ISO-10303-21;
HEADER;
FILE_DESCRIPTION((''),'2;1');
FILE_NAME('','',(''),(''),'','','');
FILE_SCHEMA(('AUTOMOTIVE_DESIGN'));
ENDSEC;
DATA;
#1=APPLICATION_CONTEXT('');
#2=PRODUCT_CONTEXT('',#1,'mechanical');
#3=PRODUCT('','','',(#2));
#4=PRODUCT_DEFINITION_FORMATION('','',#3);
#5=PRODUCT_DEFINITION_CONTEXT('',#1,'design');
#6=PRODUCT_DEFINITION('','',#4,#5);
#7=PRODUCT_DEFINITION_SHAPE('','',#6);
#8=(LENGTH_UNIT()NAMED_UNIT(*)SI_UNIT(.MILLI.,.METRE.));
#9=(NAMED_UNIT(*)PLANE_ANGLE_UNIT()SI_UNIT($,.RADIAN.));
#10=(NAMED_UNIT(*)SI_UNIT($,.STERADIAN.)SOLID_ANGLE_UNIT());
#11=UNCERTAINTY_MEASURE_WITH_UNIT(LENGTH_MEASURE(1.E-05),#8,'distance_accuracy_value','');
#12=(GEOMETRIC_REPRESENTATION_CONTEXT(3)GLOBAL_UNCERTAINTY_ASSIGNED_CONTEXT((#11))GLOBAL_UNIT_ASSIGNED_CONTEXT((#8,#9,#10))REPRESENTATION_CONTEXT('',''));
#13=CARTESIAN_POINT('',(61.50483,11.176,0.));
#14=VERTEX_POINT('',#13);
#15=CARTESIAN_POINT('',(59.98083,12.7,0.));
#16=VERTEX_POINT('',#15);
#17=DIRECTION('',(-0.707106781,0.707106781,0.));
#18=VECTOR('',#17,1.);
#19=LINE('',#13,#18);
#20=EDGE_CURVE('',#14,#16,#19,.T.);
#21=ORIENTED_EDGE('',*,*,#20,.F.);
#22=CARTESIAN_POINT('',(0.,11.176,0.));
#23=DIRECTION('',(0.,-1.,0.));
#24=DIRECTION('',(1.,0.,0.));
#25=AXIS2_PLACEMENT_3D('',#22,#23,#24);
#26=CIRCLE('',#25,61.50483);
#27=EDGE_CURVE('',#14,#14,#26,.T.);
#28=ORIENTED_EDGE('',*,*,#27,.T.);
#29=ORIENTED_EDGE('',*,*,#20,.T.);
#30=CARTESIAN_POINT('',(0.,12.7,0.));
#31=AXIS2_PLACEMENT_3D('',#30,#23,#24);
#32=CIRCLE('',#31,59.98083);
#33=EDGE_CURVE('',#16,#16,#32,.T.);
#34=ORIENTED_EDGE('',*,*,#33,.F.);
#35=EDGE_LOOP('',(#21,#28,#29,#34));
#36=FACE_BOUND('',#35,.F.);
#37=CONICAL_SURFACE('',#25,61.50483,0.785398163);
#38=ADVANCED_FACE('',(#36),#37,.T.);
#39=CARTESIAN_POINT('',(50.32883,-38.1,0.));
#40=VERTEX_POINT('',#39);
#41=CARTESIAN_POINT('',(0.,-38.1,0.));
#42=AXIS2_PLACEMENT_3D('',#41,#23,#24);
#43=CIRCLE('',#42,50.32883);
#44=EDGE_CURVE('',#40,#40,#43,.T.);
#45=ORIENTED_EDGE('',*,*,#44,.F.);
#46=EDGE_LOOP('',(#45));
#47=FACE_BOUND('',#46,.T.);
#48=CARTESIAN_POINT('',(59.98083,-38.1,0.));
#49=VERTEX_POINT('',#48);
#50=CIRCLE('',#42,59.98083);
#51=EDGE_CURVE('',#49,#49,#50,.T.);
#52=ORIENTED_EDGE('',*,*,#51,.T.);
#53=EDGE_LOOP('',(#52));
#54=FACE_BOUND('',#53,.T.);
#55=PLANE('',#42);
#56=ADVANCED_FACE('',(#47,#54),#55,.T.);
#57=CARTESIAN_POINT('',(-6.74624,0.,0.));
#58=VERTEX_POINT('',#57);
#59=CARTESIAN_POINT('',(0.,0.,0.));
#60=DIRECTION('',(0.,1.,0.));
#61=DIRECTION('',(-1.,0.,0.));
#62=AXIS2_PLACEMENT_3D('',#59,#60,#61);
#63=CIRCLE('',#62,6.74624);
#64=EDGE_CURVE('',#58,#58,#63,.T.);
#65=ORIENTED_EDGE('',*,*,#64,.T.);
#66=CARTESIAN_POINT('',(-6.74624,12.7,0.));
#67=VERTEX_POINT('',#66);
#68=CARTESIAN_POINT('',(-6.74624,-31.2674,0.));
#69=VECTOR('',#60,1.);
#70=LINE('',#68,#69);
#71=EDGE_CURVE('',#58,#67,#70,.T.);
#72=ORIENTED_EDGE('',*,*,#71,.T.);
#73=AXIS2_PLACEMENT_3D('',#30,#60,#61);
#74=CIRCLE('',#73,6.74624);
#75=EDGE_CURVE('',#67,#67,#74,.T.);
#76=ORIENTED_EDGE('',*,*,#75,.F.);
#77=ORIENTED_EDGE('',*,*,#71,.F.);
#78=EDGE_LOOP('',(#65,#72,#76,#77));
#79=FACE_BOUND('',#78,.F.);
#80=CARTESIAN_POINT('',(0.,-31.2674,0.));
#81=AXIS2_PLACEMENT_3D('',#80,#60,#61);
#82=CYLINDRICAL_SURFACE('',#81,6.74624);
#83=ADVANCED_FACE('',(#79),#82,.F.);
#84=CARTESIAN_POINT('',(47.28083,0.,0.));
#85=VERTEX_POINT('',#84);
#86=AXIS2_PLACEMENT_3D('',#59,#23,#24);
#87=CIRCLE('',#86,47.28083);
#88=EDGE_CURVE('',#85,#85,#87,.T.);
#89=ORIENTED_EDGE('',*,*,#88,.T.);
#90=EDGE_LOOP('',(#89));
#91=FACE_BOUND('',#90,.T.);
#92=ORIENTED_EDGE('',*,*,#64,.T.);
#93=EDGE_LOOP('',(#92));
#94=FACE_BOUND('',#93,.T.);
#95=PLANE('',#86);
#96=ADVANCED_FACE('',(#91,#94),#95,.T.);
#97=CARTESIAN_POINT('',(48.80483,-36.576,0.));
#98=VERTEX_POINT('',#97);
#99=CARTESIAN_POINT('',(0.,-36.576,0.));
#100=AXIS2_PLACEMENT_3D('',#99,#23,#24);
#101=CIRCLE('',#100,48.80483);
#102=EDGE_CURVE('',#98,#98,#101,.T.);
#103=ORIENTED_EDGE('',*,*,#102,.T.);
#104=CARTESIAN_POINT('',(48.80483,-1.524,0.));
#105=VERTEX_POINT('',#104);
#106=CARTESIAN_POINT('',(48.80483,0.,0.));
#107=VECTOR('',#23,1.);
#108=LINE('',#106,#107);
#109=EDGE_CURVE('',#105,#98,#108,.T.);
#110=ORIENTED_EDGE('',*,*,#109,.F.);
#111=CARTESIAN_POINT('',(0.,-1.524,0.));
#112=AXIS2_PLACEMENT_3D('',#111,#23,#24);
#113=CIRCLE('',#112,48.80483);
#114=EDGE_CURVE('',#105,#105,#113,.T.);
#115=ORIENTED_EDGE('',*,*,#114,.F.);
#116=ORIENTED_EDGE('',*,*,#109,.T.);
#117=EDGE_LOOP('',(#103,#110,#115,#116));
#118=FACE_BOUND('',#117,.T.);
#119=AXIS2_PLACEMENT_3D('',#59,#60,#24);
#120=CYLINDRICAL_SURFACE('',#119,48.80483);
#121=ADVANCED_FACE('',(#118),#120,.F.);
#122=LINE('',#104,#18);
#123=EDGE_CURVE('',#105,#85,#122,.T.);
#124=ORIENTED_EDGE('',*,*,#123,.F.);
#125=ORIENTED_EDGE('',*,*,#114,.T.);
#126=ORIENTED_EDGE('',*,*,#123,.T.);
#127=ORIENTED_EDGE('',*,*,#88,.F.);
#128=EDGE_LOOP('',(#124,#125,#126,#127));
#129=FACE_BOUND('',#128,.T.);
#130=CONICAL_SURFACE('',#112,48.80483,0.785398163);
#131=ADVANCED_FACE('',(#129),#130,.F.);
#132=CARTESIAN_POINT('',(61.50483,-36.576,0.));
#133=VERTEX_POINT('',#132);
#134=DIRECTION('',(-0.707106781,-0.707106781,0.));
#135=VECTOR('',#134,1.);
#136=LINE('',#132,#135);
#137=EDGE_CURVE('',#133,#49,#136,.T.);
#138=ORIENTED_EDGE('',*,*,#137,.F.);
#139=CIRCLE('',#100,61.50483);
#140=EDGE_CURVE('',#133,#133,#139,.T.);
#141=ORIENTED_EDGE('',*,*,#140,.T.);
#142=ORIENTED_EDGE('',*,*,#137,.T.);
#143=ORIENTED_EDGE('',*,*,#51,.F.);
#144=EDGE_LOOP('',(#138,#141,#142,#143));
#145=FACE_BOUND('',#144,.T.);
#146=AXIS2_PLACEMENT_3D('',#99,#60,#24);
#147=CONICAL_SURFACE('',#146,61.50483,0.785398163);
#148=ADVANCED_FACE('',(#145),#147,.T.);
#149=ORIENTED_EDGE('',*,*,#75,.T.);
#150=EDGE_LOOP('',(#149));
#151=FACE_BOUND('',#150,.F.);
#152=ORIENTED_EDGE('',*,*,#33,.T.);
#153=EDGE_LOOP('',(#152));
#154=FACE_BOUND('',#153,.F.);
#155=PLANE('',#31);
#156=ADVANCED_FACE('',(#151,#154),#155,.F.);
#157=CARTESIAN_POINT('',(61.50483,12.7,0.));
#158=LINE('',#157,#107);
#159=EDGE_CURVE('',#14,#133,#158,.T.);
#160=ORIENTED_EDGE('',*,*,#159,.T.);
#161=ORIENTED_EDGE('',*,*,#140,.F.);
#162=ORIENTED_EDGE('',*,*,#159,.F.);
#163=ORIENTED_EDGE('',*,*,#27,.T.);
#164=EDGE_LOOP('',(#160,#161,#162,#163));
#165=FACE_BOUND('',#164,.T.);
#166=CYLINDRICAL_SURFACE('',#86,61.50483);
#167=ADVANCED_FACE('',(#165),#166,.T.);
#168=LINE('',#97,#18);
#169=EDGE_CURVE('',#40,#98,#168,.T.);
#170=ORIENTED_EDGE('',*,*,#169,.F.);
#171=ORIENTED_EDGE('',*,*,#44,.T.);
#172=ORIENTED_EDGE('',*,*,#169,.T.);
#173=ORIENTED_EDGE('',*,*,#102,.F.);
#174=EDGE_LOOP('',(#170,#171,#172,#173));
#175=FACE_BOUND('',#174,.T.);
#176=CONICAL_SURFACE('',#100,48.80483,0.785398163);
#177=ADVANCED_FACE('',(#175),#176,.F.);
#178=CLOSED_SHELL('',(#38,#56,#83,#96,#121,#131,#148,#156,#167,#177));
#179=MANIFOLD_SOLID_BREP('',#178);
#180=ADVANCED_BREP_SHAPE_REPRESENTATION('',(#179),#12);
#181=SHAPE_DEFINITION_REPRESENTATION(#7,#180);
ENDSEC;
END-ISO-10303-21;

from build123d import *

# Parameters (mm, degrees)
F0_R     = 61.50483
F0_R_2   = 48.80483
F1_DEPTH = 38.1
F2_DEPTH = 12.7
F3_D     = 13.49248
F3_DEPTH = 31.2674
F3_TIP   = 4.0535499425
F4_SIZE  = 1.524


with BuildPart() as f1:
    # F0 (on Front) → F1 (new body)
    with BuildSketch(Plane.XZ):
        Circle(F0_R)
        Circle(F0_R_2, mode=Mode.SUBTRACT)
    extrude(amount=F1_DEPTH)

    # F0 (on Front) → F2 (join)
    with BuildSketch(Plane.XZ):
        Circle(F0_R)
        Circle(F0_R_2, mode=Mode.SUBTRACT)
        Circle(F0_R_2)
    extrude(amount=-F2_DEPTH)

    # F3
    with Locations(Plane.XZ):
        with Locations((0, 0)):
            Hole(F3_D / 2, depth=F3_DEPTH)
            with Locations((0, 0, -(F3_DEPTH + F3_TIP / 2))):  # 118° drill point
                Cone(0, F3_D / 2, F3_TIP, mode=Mode.SUBTRACT)

    # F4
    f4_edges = [f1.edges().sort_by_distance(p)[0] for p in [
        (61.50483, -19.05, 0),
        (-61.50483, 0, 0),
        (-61.50483, -38.1, 0),
        (61.50483, 6.35, 0),
        (-61.50483, 12.7, 0),
        (48.80483, -19.05, 0),
        (-48.80483, 0, 0),
        (-48.80483, -38.1, 0),
    ]]
    chamfer(f4_edges, length=F4_SIZE)


solid = f1.part
